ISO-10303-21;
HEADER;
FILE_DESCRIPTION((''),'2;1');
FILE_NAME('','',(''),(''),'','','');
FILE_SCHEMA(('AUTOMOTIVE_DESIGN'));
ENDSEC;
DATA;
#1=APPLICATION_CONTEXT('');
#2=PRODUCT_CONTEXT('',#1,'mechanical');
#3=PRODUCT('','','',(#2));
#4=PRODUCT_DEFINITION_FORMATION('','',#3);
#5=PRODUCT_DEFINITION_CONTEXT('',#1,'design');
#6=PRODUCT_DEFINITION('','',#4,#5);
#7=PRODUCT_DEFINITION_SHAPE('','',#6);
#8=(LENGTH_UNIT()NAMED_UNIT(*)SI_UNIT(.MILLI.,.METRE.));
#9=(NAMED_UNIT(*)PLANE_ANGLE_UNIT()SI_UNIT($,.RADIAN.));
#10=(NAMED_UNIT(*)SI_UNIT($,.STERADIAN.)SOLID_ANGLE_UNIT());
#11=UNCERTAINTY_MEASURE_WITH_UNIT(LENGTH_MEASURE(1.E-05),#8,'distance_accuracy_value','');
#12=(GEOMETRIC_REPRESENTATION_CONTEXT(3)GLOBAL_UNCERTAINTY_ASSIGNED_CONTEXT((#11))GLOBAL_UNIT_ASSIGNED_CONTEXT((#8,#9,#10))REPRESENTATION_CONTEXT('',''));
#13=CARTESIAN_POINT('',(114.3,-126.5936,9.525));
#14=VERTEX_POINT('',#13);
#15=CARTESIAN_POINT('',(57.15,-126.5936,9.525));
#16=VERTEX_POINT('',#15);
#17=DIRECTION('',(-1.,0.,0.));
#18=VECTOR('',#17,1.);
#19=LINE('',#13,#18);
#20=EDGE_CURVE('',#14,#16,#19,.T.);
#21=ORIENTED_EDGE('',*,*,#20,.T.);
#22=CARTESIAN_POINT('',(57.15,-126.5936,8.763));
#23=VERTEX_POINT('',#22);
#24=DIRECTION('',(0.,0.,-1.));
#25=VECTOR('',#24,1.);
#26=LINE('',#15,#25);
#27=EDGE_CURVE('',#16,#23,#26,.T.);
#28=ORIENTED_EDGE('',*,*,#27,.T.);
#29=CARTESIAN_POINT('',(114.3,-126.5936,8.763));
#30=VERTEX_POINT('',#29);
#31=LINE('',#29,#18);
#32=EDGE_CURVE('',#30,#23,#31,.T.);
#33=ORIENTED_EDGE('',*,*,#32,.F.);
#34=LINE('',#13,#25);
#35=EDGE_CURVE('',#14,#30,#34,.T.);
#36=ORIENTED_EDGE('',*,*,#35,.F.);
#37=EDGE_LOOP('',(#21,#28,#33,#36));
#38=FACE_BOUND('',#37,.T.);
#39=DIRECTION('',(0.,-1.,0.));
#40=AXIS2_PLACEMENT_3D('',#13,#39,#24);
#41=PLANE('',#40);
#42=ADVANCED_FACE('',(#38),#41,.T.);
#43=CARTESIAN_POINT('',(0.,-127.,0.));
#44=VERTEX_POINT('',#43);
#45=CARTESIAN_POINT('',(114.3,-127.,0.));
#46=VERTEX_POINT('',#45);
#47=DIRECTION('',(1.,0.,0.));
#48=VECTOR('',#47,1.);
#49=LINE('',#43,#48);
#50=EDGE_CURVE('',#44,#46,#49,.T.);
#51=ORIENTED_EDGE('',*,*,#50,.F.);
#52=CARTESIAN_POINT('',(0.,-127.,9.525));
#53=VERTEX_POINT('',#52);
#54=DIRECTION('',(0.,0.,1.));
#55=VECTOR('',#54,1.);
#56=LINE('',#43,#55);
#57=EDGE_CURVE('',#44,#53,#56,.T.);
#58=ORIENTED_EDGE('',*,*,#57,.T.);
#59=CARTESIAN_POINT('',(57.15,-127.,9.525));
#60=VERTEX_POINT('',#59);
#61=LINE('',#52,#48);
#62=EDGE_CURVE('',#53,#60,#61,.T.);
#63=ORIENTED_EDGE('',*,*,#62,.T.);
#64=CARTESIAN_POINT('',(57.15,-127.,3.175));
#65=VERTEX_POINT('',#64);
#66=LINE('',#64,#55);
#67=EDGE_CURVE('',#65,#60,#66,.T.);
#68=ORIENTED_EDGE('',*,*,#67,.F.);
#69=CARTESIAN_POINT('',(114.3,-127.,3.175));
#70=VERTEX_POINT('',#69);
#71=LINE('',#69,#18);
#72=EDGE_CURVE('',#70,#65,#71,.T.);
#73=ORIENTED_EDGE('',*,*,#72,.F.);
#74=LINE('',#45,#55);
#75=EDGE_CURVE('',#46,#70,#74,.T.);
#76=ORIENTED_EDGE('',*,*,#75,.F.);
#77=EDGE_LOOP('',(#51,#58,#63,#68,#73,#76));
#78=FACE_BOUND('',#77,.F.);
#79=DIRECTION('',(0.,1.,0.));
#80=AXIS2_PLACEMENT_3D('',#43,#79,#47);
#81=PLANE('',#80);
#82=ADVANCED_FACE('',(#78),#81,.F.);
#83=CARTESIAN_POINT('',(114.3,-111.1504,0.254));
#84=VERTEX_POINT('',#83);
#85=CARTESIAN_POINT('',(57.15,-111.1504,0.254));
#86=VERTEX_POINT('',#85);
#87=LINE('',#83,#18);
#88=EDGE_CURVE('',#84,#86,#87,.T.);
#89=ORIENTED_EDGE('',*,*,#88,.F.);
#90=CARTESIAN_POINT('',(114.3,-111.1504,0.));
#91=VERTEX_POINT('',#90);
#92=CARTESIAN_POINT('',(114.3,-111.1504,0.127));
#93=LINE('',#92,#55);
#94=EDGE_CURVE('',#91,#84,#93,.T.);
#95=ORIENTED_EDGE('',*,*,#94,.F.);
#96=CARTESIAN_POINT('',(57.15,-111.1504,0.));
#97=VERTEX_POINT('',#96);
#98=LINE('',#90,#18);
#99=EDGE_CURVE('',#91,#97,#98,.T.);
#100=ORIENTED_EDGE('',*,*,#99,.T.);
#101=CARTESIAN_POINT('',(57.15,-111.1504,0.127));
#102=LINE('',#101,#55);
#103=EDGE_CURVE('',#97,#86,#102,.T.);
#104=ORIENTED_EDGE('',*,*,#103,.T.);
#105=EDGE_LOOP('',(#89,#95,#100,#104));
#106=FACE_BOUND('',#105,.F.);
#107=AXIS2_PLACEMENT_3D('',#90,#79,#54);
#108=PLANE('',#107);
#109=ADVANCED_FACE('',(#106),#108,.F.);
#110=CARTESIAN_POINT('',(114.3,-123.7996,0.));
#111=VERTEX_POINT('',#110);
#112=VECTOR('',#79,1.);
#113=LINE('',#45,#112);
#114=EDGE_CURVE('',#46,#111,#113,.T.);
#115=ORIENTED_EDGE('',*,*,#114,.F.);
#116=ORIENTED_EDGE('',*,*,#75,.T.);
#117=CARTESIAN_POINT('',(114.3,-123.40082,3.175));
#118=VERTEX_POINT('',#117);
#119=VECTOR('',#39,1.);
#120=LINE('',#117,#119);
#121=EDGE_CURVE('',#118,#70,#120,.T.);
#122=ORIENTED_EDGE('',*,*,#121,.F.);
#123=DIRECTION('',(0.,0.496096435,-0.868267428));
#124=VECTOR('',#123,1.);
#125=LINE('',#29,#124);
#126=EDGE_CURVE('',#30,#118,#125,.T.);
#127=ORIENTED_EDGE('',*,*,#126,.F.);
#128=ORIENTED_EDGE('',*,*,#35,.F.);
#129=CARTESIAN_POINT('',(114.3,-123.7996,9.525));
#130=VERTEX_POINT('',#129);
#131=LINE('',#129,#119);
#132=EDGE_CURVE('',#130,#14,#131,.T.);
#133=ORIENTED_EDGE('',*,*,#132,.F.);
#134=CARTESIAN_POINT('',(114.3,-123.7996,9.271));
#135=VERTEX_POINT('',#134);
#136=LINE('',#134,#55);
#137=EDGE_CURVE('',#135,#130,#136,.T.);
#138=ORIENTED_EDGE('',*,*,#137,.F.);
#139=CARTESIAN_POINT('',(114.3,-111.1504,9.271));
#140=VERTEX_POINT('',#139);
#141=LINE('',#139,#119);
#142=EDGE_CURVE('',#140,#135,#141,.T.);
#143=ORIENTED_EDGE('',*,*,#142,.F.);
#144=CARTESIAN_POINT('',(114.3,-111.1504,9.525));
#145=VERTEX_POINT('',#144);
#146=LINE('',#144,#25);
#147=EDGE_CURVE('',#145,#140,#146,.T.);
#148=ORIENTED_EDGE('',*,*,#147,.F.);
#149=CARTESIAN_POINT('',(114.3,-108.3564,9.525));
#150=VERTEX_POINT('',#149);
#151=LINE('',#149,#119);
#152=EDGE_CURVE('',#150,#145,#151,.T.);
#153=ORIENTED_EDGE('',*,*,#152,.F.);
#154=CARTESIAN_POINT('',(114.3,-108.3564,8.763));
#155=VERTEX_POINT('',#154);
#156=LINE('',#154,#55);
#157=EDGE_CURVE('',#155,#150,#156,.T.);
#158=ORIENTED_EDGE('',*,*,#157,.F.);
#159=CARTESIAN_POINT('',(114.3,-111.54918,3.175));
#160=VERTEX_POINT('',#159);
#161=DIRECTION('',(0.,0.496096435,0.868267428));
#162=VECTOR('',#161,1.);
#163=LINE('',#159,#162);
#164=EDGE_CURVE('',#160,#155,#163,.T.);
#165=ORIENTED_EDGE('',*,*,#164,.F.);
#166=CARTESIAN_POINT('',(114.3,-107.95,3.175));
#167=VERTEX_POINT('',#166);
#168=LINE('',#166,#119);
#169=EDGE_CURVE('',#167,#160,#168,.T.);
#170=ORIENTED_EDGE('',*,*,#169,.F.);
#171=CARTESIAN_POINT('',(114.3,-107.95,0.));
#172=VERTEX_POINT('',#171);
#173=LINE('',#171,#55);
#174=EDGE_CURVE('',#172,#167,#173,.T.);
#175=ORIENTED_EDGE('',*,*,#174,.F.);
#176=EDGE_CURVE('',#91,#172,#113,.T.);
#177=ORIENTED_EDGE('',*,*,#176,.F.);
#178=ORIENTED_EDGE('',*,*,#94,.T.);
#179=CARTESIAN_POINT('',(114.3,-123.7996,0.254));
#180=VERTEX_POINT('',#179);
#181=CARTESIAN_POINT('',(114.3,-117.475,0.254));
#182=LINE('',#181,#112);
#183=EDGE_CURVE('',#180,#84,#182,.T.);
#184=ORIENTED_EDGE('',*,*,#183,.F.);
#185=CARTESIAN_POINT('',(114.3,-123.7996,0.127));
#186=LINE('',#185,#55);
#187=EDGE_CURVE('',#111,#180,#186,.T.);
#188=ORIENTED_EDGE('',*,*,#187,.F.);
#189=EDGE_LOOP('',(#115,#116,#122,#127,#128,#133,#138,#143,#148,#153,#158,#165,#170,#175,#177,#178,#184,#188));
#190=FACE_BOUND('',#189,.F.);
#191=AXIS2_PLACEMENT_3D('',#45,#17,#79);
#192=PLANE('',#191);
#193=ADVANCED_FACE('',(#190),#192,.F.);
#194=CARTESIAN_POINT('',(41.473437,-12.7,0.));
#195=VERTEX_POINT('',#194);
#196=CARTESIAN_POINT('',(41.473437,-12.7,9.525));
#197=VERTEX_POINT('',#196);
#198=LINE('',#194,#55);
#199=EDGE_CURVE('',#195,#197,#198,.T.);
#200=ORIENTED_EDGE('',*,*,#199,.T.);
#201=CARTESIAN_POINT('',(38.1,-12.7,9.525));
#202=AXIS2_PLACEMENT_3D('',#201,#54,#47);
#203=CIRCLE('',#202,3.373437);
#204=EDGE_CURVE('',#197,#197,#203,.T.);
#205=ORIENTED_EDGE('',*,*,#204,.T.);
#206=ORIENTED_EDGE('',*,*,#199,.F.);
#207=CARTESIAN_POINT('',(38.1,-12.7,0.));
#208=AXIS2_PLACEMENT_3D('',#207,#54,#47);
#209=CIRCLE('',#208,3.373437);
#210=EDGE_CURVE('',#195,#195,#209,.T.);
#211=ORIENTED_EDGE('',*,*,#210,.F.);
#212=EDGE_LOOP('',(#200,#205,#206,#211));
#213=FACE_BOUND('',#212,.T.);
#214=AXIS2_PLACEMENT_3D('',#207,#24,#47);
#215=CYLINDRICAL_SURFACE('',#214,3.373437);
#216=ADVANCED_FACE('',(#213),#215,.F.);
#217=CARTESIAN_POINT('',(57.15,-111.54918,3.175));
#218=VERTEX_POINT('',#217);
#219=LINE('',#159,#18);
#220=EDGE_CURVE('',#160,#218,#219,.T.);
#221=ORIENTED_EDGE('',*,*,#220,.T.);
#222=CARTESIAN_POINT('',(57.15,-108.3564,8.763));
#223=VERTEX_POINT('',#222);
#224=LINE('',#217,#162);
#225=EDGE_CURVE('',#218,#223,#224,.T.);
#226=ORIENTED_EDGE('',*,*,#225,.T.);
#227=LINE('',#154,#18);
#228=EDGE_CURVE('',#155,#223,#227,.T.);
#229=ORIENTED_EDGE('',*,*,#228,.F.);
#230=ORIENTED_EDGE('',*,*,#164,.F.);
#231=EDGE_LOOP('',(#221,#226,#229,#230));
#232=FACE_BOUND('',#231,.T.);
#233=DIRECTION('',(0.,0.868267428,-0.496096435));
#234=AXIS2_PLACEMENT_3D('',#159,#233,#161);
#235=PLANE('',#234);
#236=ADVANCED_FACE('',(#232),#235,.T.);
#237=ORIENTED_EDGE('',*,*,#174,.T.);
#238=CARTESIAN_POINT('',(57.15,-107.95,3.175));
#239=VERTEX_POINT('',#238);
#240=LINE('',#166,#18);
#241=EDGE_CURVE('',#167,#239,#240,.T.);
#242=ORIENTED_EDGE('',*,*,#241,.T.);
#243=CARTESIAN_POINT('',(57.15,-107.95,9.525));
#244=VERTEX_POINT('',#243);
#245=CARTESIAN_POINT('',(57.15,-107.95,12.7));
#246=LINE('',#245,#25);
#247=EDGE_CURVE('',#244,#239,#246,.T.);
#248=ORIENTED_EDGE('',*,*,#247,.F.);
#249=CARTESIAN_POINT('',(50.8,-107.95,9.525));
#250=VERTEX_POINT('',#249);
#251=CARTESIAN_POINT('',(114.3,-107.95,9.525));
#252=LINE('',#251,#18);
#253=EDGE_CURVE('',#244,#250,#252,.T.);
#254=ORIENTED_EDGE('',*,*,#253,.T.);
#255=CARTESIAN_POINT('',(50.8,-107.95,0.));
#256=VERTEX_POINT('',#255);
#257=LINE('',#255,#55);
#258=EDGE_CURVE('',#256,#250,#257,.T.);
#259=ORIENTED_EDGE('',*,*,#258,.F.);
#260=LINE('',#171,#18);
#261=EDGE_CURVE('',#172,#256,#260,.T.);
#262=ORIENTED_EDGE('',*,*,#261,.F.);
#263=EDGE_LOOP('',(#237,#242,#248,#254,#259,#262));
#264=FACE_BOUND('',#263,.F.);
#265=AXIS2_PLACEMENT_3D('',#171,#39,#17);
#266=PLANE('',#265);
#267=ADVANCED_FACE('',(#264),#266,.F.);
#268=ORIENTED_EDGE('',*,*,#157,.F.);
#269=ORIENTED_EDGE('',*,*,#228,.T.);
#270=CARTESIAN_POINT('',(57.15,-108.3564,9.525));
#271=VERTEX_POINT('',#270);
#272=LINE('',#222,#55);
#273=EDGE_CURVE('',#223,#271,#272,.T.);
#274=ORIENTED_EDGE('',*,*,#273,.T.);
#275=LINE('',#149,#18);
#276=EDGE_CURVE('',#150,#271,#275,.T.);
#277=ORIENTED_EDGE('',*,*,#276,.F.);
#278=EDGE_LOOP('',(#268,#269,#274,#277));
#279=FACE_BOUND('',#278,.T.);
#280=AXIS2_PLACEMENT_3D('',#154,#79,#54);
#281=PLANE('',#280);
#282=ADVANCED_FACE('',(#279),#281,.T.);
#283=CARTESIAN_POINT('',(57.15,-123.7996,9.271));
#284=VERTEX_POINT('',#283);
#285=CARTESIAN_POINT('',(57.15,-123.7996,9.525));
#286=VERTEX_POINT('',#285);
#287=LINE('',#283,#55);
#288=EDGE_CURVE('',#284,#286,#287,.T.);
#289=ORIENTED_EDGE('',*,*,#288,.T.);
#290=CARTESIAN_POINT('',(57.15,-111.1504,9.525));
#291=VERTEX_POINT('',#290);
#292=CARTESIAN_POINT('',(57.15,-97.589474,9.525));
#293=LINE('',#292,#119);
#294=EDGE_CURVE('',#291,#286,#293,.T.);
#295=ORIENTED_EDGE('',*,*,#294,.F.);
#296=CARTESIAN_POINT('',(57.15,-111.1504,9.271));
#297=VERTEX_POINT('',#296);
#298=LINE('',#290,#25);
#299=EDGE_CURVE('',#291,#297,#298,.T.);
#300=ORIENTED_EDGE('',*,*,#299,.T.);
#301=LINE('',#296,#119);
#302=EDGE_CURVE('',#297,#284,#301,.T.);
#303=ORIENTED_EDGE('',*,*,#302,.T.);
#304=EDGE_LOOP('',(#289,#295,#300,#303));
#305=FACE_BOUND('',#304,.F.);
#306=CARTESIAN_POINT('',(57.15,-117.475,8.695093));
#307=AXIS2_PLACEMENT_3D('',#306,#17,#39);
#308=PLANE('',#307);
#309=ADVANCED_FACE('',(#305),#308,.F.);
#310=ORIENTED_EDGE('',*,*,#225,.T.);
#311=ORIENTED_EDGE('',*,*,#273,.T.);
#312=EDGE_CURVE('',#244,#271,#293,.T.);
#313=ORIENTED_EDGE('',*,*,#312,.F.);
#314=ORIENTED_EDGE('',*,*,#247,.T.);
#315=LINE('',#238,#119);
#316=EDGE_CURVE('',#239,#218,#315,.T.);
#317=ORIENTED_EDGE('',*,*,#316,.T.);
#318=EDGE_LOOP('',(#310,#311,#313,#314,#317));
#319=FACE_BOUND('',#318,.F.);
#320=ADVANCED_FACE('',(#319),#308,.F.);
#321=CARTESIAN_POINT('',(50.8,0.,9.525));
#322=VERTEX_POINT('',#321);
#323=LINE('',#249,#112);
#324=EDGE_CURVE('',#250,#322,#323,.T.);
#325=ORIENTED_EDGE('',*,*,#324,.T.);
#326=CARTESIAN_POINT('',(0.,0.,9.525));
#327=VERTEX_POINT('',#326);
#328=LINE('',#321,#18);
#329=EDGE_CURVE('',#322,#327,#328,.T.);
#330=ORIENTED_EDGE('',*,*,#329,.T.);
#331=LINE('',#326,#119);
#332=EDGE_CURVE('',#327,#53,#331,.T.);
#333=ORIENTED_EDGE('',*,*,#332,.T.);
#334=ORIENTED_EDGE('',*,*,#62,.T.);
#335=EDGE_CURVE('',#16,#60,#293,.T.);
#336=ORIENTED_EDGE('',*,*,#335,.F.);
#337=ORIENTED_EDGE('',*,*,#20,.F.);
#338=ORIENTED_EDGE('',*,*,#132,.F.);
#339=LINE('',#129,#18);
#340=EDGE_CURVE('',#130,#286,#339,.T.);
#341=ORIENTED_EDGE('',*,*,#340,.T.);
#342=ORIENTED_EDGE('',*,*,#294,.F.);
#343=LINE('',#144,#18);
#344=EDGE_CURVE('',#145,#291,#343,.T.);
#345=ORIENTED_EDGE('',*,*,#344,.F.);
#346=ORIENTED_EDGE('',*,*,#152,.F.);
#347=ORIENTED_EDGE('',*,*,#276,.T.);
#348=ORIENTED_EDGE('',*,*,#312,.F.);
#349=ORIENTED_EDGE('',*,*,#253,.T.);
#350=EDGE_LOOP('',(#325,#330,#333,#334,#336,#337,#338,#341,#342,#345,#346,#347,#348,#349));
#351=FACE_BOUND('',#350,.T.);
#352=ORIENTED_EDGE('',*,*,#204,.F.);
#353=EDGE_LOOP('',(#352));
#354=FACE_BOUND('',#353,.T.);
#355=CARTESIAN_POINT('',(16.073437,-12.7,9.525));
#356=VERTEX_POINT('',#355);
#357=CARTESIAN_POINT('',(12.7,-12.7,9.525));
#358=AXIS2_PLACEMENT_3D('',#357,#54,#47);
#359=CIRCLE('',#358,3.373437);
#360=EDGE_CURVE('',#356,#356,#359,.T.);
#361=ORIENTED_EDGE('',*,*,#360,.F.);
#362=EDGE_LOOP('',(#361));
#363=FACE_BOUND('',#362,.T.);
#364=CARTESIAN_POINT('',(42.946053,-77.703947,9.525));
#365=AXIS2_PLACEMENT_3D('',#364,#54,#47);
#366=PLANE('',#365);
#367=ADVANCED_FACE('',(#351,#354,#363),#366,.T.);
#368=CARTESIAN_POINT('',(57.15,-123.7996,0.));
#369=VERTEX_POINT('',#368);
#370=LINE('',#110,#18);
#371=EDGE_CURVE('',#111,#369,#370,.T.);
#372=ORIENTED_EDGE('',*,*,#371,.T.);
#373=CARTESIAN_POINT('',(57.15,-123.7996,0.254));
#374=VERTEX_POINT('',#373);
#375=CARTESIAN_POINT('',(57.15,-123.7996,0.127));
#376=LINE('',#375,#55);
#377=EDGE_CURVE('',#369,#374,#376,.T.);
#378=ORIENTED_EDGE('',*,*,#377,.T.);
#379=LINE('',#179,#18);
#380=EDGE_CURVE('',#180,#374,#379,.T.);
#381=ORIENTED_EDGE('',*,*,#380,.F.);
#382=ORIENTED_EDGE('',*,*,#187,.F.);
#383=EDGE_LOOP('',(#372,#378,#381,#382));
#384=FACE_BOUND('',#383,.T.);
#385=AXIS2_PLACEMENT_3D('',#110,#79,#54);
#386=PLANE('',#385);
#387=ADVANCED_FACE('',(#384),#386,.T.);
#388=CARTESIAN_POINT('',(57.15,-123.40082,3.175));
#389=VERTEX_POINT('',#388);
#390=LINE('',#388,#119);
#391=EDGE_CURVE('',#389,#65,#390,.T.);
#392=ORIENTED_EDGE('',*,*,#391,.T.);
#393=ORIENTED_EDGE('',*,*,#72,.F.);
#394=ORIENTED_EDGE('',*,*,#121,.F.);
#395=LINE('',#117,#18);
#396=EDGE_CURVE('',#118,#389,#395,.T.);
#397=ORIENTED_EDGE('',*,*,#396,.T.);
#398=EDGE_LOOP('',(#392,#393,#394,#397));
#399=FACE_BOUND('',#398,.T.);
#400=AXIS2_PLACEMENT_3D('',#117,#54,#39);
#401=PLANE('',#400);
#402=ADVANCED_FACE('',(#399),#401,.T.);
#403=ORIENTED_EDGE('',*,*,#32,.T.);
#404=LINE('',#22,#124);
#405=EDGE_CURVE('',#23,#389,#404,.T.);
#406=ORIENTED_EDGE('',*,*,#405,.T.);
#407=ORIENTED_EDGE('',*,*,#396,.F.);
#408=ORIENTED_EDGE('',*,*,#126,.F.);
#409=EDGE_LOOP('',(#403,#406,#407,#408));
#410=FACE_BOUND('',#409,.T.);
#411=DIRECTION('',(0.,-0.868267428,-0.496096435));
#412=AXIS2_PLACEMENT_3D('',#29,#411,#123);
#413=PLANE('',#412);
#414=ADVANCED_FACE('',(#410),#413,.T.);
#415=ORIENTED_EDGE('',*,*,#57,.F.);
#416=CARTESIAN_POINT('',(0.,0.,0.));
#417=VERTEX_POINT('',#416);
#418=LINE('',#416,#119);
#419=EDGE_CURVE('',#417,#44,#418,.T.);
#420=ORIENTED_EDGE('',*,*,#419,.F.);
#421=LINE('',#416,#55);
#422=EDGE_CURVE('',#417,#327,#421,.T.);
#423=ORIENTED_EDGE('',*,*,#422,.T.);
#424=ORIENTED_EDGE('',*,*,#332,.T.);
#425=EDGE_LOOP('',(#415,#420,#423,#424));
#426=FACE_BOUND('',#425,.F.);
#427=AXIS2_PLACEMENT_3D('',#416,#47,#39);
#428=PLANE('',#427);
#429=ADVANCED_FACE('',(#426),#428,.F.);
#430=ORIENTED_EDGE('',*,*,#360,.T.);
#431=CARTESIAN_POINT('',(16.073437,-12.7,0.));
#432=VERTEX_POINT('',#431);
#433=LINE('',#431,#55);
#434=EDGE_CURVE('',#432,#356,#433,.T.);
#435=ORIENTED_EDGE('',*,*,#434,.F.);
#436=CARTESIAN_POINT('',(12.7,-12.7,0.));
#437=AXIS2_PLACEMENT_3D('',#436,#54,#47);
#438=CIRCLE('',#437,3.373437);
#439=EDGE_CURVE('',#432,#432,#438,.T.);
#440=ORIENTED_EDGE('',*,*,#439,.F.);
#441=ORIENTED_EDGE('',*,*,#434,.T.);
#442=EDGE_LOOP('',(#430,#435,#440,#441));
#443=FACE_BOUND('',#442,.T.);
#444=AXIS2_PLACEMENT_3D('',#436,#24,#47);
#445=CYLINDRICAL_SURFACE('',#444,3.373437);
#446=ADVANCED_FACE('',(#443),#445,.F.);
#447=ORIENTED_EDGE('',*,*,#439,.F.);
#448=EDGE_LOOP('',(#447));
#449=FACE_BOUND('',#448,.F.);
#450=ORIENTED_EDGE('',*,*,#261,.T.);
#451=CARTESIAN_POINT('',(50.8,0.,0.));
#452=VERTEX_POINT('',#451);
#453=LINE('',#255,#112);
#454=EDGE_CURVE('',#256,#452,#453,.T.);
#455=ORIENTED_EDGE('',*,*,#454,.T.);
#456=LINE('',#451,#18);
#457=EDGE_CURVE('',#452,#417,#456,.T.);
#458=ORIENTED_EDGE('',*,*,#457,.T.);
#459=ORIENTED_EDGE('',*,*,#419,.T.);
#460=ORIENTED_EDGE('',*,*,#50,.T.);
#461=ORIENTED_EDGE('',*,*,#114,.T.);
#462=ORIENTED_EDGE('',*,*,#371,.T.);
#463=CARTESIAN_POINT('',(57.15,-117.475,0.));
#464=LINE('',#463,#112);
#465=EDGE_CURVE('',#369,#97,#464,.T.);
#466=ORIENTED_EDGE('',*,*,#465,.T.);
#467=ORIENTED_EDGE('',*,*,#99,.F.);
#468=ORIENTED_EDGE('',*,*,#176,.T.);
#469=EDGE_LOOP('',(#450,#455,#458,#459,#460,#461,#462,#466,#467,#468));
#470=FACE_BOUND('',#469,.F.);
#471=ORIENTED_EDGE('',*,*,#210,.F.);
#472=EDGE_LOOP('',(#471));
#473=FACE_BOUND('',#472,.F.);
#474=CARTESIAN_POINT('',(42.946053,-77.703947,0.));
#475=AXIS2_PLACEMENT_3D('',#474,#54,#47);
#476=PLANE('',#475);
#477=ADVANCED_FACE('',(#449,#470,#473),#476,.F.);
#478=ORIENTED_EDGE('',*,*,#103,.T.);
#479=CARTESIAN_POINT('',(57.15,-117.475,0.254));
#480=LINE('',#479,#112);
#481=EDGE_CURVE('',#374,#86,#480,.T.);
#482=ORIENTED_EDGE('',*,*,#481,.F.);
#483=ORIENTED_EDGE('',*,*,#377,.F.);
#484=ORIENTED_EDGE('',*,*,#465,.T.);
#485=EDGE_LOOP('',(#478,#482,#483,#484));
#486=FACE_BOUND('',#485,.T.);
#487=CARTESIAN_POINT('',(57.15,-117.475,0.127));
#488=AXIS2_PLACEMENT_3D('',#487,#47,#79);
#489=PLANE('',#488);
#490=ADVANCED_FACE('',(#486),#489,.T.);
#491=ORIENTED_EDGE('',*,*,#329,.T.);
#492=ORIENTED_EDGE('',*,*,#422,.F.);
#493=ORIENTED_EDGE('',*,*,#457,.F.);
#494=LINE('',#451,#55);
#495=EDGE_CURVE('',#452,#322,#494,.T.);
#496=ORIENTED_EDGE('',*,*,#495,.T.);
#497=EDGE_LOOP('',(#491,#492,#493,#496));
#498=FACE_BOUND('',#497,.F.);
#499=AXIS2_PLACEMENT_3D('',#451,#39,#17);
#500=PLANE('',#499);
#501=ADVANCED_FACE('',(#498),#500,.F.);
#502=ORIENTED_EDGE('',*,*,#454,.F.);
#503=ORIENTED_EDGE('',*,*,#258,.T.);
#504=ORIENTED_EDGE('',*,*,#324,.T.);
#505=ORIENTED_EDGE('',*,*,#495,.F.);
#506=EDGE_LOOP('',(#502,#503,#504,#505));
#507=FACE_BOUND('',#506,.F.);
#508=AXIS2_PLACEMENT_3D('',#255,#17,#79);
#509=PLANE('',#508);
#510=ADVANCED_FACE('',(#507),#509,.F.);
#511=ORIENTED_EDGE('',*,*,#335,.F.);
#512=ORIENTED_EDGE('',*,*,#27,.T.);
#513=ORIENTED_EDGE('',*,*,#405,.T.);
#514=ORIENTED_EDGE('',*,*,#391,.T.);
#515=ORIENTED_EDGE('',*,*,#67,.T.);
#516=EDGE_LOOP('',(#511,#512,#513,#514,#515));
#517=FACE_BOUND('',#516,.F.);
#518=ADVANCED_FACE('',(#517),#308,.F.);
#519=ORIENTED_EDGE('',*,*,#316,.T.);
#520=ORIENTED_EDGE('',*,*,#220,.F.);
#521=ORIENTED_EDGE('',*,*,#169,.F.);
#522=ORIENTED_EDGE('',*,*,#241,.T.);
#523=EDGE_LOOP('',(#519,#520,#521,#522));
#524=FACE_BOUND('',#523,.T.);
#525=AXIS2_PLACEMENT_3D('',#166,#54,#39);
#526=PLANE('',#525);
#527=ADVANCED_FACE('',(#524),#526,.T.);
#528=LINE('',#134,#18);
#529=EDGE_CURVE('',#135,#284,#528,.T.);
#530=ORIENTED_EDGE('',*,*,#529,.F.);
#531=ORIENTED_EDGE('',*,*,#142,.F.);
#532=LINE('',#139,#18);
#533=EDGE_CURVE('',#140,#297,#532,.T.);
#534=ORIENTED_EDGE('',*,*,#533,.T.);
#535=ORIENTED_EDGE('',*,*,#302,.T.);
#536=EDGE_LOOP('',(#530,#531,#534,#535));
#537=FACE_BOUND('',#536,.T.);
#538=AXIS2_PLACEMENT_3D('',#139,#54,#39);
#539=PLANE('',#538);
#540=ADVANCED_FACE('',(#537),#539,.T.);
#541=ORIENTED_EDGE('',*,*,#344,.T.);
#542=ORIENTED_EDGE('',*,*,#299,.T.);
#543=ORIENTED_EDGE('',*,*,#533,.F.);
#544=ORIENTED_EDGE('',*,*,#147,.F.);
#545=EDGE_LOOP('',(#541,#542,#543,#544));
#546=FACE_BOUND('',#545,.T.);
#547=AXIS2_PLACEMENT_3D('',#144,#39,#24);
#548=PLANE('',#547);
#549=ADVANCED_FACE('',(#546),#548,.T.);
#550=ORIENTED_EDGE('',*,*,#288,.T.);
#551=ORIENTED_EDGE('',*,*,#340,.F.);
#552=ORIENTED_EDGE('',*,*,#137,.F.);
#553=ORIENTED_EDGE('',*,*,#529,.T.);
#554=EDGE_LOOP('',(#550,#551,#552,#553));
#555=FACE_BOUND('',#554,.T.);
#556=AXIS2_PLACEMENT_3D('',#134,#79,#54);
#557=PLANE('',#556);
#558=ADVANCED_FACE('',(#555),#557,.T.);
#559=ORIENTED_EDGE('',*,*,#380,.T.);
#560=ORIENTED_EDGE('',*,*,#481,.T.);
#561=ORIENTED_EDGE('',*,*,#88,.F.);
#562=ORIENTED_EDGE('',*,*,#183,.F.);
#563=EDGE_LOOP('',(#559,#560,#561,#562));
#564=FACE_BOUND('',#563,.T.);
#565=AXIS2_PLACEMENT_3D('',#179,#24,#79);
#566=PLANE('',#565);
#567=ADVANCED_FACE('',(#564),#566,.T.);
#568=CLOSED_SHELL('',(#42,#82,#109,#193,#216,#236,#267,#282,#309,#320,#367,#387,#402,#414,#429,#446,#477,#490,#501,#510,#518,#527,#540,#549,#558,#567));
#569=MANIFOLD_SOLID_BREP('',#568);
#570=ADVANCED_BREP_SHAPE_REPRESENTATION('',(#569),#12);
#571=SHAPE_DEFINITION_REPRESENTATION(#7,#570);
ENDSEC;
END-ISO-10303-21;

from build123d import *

# Parameters (mm, degrees)
SKETCH_R     = 3.373437
PAD_DEPTH    = 9.525
SKETCH001_W  = 12.6492
SKETCH001_H  = 0.254
POCKET_DEPTH = 57.15


with BuildPart() as part:
    # Sketch → Pad (new body)
    with BuildSketch(Plane.XY):
        Polygon((50.8, 0), (0, 0), (0, -127), (114.3, -127), (114.3, -107.95), (50.8, -107.95), align=None)
        with Locations((12.7, -12.7)):
            Circle(SKETCH_R, mode=Mode.SUBTRACT)
        with Locations((38.1, -12.7)):
            Circle(SKETCH_R, mode=Mode.SUBTRACT)
    extrude(amount=PAD_DEPTH)

    # Sketch001 → Pocket (cut)
    with BuildSketch(Plane.YZ.offset(114.3)):
        Polygon((-126.5936, 8.763), (-123.40082, 3.175), (-127, 3.175), (-127, 12.7), (-107.95, 12.7), (-107.95, 3.175), (-111.54918, 3.175), (-108.3564, 8.763), (-108.3564, 9.525), (-111.1504, 9.525), (-111.1504, 9.271), (-123.7996, 9.271), (-123.7996, 9.525), (-126.5936, 9.525), align=None)
        with Locations((-117.475, 0.127)):
            Rectangle(SKETCH001_W, SKETCH001_H)
    extrude(amount=-POCKET_DEPTH, mode=Mode.SUBTRACT)


solid = part.part
